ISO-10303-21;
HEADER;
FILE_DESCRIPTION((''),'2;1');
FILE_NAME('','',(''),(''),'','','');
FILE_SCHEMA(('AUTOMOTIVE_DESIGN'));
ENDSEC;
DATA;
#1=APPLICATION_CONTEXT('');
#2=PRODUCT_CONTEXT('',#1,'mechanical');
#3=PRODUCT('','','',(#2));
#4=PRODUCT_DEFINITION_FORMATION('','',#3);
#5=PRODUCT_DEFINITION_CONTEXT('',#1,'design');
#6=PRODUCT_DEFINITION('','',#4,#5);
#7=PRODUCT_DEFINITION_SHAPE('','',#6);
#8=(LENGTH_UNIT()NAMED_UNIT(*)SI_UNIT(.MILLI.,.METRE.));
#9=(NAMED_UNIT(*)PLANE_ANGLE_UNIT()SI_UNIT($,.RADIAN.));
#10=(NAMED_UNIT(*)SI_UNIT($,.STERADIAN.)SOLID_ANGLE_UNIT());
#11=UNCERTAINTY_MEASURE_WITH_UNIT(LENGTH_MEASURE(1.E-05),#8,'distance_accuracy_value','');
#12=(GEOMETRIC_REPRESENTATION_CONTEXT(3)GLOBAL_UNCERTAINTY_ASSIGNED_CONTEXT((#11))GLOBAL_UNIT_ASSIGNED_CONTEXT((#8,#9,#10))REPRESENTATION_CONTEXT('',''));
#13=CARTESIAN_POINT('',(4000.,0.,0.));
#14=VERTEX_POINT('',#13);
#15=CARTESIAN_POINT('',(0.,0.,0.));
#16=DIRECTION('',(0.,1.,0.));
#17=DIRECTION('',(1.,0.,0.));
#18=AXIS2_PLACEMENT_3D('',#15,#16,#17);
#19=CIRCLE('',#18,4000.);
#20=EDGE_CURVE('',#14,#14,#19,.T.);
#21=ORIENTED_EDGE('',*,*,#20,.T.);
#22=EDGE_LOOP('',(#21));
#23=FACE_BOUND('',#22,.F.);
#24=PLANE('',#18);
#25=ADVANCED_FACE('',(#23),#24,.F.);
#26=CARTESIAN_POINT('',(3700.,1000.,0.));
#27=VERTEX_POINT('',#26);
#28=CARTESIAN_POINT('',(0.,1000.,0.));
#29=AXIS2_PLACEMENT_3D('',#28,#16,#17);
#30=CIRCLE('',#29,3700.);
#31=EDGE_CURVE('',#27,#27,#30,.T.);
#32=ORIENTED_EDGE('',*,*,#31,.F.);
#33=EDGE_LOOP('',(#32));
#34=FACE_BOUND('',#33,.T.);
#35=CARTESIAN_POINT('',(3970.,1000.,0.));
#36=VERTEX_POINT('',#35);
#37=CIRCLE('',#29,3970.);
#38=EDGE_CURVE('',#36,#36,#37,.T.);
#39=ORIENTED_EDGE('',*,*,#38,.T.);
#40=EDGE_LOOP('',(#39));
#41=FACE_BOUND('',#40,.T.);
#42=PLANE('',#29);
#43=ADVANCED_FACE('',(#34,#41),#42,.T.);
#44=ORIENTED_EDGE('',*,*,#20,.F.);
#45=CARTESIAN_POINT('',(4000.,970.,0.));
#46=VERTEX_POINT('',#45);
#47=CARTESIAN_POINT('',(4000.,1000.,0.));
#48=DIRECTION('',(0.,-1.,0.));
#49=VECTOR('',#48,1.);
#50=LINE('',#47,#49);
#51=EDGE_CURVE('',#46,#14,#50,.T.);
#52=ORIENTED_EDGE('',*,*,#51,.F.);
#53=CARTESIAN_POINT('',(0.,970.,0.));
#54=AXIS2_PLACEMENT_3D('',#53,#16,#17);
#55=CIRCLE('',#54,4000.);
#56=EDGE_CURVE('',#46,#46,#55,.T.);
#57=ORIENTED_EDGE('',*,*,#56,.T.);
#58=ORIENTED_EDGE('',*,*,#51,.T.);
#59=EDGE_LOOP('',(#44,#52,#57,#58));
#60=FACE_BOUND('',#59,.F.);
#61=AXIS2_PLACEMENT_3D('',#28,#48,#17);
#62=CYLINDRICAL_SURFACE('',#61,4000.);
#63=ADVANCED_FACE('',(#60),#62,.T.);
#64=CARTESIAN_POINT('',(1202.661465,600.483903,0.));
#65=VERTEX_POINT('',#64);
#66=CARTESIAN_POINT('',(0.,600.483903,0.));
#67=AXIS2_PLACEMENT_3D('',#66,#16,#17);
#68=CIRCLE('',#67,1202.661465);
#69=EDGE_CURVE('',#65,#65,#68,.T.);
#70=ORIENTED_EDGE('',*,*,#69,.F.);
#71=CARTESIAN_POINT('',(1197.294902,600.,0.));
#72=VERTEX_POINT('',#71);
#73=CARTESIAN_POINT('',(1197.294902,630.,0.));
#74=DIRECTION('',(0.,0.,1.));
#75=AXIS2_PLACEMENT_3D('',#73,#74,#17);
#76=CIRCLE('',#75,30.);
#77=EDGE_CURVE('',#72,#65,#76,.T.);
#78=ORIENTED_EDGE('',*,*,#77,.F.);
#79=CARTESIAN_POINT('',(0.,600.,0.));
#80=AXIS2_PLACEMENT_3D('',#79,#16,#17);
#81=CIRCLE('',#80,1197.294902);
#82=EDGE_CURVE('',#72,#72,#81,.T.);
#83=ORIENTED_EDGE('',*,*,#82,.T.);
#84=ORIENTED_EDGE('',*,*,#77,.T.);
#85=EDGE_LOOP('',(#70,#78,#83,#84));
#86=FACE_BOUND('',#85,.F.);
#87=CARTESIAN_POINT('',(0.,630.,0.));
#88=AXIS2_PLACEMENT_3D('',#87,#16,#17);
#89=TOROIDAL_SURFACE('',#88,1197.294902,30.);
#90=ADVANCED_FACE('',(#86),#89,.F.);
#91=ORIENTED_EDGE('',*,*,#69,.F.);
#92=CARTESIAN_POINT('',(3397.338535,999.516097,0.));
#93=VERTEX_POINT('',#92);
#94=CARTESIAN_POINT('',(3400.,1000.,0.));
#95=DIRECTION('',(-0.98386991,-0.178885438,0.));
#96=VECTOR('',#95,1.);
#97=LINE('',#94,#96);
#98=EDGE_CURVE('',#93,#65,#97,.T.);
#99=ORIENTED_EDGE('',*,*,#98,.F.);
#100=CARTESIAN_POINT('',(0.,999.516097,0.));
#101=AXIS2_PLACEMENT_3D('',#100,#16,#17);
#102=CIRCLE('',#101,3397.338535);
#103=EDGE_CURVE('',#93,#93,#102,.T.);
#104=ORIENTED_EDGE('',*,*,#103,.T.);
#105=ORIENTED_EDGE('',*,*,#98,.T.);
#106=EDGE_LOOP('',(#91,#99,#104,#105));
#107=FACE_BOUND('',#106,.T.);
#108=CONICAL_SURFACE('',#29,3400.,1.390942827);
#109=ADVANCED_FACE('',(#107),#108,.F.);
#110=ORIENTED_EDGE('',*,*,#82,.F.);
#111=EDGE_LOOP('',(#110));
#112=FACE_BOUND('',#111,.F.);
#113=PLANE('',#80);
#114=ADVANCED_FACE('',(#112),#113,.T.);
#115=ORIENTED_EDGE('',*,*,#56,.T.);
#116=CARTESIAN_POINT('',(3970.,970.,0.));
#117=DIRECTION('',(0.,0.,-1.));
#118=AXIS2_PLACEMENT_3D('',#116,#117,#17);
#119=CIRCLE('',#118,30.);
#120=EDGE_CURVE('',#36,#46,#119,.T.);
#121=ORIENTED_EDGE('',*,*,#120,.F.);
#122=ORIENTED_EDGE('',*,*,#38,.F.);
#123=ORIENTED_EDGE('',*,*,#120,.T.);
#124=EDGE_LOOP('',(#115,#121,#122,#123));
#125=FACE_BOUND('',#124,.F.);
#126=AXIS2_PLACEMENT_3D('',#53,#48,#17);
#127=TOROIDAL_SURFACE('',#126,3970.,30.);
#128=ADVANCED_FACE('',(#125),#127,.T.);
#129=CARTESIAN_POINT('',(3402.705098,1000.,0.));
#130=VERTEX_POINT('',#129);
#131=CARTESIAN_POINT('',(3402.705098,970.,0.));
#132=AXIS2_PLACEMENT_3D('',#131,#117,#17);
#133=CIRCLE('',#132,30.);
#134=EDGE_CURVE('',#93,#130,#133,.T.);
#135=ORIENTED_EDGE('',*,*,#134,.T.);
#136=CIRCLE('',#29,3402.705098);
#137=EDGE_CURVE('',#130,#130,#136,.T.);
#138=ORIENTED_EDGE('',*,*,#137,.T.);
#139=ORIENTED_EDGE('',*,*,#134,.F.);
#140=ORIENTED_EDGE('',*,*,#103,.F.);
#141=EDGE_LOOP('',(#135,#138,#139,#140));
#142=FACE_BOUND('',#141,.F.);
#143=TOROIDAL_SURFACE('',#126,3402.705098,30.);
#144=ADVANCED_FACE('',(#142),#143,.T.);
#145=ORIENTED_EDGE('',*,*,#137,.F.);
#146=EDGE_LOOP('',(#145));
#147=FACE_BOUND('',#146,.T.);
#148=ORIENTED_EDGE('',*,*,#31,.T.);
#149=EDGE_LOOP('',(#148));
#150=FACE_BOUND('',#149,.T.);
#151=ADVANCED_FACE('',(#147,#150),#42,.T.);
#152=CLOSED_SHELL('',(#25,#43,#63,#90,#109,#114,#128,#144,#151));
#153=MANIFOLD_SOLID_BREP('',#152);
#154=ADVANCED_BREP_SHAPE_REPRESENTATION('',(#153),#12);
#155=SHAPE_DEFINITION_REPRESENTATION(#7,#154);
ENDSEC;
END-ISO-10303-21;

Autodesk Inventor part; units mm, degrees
ref_plane "YZ Plane" through (0, 0, 0) normal (1, 0, 0) x (0, 1, 0)
ref_plane "XZ Plane" through (0, 0, 0) normal (0, 1, 0) x (-1, 0, 0)
ref_plane "XY Plane" through (0, 0, 0) normal (0, 0, 1) x (1, 0, 0)
sketch "Boceto1" plane through (0, 0, 0) normal (0, 0, 1) x (1, 0, 0)
  line L0 (0, 0) -> (0, 1000)
  line L1 (4000, 1000) -> (4000, 0)
  line L2 (4000, 0) -> (0, 0)
  line L3 (4000, 1000) -> (3700, 1000)
  line L4 (0, 600) -> (1200, 600)
  line L5 (3700, 1000) -> (3400, 1000)
  line L6 (3400, 1000) -> (1200, 600)
  dimension "d0" = 1000
  dimension "d1" = 4000
  dimension "d2" = 300
  dimension "d4" = 1200
  dimension "d5" = 300
revolve "Revolución1" add sketch "Boceto1" angle 360 about axis through (0, 0, 0) along (0, 1, 0)
fillet "Empalme1" radius 30 1 edges at (-1200, 600, 0)
fillet "Empalme2" radius 30 1 edges at (-3400, 1000, 0)
fillet "Empalme3" radius 30 1 edges at (-4000, 1000, 0)
properties part number "PARTE_SUPERIOR_BALSA_FLOTABILIDAD_UNIDMOTRIZVALPO"
